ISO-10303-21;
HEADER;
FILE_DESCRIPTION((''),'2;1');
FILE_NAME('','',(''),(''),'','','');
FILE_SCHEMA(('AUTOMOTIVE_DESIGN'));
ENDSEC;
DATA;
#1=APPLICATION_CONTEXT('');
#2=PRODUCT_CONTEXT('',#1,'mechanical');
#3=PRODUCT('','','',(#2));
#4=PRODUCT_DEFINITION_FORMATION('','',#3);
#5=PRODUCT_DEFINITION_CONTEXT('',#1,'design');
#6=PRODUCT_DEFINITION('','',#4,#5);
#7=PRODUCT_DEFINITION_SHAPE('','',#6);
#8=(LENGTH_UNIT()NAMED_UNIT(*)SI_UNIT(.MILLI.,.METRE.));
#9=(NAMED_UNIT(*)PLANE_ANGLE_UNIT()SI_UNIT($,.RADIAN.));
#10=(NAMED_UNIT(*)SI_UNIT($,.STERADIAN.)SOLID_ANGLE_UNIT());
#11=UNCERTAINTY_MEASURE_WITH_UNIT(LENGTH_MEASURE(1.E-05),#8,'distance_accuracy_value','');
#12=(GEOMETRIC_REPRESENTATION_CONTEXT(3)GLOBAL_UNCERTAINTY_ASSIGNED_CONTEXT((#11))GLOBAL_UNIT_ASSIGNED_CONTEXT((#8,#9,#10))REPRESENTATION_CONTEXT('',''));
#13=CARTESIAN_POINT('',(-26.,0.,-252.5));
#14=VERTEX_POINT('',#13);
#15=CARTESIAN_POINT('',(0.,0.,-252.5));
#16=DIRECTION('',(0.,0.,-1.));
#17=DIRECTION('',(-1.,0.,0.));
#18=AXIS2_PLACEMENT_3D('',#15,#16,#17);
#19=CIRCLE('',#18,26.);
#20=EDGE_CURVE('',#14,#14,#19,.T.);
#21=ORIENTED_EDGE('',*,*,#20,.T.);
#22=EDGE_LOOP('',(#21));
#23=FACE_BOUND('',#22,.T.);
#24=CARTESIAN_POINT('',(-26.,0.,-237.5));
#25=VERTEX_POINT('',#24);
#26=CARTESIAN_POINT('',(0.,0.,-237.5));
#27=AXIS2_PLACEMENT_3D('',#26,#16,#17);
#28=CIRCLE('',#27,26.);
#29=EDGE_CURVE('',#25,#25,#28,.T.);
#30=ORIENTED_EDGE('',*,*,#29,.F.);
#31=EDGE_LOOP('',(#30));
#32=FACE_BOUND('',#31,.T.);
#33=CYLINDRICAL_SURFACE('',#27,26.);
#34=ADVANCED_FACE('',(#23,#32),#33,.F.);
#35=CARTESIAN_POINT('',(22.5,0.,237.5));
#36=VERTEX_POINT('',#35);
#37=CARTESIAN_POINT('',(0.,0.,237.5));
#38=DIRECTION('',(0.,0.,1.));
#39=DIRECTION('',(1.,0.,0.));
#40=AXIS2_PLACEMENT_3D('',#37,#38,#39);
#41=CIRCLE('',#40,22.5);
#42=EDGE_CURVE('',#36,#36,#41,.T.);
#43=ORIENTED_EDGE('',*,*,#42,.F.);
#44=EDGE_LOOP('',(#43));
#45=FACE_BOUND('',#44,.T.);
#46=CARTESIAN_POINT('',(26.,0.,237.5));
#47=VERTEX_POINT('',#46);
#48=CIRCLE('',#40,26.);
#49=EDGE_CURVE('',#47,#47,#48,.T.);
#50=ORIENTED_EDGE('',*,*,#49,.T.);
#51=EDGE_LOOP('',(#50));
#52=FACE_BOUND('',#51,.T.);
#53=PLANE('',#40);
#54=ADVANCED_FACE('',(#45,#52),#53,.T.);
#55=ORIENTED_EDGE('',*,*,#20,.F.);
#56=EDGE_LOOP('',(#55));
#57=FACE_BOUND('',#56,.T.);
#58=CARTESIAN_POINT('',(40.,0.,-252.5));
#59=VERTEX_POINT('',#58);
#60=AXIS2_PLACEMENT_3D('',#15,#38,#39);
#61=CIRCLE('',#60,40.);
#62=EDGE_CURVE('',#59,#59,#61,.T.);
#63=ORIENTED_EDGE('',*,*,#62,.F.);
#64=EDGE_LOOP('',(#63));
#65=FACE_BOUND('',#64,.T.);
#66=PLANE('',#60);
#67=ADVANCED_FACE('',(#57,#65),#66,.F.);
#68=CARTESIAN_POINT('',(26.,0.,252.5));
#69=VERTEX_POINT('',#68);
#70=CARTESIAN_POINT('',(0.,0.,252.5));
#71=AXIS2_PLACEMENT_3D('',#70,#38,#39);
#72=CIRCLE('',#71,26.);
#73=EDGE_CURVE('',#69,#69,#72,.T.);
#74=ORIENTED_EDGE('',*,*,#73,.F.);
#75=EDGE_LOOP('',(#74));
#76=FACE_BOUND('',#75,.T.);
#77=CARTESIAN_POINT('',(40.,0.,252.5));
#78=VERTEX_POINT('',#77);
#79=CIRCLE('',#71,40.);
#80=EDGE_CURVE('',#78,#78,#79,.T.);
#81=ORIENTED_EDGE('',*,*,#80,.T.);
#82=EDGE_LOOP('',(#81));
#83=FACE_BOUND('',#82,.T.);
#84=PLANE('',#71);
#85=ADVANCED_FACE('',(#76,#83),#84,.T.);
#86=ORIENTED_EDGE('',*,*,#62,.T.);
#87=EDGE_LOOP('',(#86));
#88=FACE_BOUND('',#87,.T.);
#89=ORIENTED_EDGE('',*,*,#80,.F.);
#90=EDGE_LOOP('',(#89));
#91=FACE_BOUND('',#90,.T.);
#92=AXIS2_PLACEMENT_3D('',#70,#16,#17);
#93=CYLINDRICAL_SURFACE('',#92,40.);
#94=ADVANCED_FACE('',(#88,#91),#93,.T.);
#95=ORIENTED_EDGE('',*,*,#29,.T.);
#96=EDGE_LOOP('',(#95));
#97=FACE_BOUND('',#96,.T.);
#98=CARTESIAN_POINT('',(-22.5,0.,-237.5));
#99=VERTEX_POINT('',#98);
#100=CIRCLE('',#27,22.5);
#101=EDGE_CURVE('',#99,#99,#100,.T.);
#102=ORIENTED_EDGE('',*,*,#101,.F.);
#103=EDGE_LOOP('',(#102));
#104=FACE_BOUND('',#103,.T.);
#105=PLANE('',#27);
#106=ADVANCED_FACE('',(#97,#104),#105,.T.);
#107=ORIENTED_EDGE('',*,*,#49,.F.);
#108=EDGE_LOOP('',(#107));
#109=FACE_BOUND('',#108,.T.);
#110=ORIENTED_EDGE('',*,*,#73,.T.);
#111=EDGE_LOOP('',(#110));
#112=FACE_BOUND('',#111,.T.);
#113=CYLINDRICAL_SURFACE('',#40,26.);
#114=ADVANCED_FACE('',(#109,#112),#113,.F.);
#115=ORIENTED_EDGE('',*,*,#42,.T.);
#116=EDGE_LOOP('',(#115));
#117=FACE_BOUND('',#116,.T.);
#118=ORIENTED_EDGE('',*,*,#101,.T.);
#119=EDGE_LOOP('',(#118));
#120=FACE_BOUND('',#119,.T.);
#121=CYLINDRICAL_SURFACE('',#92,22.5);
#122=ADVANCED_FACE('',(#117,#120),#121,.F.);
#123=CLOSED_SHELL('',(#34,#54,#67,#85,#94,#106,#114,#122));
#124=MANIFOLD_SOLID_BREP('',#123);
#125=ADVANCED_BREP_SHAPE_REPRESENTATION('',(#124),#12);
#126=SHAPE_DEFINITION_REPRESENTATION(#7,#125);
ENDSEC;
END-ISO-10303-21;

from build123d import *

# Parameters (mm, degrees)
SCHIZZO1_R               = 40
SCHIZZO1_R_2             = 22.5
ESTRUSIONE1_DEPTH        = 252.5
TAGLIO_ESTRUSIONE1_START = -15
SCHIZZO2_R               = 26
SCHIZZO2_R_2             = 22.5
TAGLIO_ESTRUSIONE1_DEPTH = 15
SCHIZZO3_R               = 26
SCHIZZO3_R_2             = 22.5
TAGLIO_ESTRUSIONE2_DEPTH = 15


with BuildPart() as part:
    # Schizzo1 → Estrusione1 (new, symmetric)
    with BuildSketch(Plane.XY):
        Circle(SCHIZZO1_R)
        Circle(SCHIZZO1_R_2, mode=Mode.SUBTRACT)
    extrude(amount=ESTRUSIONE1_DEPTH, both=True)

    # Schizzo2 → Taglio-Estrusione1 (cut)
    with BuildSketch(Plane.XY.offset(252.5).offset(TAGLIO_ESTRUSIONE1_START)):
        Circle(SCHIZZO2_R)
        Circle(SCHIZZO2_R_2, mode=Mode.SUBTRACT)
    extrude(amount=TAGLIO_ESTRUSIONE1_DEPTH, mode=Mode.SUBTRACT)

    # Schizzo3 → Taglio-Estrusione2 (cut)
    with BuildSketch(Plane(origin=(0, 0, -252.5), x_dir=(-1, 0, 0), z_dir=(0, 0, -1))):
        with Locations(Location((0, 0, 0), (0, 0, 180))):
            Circle(SCHIZZO3_R)
        Circle(SCHIZZO3_R_2, mode=Mode.SUBTRACT)
    extrude(amount=-TAGLIO_ESTRUSIONE2_DEPTH, mode=Mode.SUBTRACT)


solid = part.part
